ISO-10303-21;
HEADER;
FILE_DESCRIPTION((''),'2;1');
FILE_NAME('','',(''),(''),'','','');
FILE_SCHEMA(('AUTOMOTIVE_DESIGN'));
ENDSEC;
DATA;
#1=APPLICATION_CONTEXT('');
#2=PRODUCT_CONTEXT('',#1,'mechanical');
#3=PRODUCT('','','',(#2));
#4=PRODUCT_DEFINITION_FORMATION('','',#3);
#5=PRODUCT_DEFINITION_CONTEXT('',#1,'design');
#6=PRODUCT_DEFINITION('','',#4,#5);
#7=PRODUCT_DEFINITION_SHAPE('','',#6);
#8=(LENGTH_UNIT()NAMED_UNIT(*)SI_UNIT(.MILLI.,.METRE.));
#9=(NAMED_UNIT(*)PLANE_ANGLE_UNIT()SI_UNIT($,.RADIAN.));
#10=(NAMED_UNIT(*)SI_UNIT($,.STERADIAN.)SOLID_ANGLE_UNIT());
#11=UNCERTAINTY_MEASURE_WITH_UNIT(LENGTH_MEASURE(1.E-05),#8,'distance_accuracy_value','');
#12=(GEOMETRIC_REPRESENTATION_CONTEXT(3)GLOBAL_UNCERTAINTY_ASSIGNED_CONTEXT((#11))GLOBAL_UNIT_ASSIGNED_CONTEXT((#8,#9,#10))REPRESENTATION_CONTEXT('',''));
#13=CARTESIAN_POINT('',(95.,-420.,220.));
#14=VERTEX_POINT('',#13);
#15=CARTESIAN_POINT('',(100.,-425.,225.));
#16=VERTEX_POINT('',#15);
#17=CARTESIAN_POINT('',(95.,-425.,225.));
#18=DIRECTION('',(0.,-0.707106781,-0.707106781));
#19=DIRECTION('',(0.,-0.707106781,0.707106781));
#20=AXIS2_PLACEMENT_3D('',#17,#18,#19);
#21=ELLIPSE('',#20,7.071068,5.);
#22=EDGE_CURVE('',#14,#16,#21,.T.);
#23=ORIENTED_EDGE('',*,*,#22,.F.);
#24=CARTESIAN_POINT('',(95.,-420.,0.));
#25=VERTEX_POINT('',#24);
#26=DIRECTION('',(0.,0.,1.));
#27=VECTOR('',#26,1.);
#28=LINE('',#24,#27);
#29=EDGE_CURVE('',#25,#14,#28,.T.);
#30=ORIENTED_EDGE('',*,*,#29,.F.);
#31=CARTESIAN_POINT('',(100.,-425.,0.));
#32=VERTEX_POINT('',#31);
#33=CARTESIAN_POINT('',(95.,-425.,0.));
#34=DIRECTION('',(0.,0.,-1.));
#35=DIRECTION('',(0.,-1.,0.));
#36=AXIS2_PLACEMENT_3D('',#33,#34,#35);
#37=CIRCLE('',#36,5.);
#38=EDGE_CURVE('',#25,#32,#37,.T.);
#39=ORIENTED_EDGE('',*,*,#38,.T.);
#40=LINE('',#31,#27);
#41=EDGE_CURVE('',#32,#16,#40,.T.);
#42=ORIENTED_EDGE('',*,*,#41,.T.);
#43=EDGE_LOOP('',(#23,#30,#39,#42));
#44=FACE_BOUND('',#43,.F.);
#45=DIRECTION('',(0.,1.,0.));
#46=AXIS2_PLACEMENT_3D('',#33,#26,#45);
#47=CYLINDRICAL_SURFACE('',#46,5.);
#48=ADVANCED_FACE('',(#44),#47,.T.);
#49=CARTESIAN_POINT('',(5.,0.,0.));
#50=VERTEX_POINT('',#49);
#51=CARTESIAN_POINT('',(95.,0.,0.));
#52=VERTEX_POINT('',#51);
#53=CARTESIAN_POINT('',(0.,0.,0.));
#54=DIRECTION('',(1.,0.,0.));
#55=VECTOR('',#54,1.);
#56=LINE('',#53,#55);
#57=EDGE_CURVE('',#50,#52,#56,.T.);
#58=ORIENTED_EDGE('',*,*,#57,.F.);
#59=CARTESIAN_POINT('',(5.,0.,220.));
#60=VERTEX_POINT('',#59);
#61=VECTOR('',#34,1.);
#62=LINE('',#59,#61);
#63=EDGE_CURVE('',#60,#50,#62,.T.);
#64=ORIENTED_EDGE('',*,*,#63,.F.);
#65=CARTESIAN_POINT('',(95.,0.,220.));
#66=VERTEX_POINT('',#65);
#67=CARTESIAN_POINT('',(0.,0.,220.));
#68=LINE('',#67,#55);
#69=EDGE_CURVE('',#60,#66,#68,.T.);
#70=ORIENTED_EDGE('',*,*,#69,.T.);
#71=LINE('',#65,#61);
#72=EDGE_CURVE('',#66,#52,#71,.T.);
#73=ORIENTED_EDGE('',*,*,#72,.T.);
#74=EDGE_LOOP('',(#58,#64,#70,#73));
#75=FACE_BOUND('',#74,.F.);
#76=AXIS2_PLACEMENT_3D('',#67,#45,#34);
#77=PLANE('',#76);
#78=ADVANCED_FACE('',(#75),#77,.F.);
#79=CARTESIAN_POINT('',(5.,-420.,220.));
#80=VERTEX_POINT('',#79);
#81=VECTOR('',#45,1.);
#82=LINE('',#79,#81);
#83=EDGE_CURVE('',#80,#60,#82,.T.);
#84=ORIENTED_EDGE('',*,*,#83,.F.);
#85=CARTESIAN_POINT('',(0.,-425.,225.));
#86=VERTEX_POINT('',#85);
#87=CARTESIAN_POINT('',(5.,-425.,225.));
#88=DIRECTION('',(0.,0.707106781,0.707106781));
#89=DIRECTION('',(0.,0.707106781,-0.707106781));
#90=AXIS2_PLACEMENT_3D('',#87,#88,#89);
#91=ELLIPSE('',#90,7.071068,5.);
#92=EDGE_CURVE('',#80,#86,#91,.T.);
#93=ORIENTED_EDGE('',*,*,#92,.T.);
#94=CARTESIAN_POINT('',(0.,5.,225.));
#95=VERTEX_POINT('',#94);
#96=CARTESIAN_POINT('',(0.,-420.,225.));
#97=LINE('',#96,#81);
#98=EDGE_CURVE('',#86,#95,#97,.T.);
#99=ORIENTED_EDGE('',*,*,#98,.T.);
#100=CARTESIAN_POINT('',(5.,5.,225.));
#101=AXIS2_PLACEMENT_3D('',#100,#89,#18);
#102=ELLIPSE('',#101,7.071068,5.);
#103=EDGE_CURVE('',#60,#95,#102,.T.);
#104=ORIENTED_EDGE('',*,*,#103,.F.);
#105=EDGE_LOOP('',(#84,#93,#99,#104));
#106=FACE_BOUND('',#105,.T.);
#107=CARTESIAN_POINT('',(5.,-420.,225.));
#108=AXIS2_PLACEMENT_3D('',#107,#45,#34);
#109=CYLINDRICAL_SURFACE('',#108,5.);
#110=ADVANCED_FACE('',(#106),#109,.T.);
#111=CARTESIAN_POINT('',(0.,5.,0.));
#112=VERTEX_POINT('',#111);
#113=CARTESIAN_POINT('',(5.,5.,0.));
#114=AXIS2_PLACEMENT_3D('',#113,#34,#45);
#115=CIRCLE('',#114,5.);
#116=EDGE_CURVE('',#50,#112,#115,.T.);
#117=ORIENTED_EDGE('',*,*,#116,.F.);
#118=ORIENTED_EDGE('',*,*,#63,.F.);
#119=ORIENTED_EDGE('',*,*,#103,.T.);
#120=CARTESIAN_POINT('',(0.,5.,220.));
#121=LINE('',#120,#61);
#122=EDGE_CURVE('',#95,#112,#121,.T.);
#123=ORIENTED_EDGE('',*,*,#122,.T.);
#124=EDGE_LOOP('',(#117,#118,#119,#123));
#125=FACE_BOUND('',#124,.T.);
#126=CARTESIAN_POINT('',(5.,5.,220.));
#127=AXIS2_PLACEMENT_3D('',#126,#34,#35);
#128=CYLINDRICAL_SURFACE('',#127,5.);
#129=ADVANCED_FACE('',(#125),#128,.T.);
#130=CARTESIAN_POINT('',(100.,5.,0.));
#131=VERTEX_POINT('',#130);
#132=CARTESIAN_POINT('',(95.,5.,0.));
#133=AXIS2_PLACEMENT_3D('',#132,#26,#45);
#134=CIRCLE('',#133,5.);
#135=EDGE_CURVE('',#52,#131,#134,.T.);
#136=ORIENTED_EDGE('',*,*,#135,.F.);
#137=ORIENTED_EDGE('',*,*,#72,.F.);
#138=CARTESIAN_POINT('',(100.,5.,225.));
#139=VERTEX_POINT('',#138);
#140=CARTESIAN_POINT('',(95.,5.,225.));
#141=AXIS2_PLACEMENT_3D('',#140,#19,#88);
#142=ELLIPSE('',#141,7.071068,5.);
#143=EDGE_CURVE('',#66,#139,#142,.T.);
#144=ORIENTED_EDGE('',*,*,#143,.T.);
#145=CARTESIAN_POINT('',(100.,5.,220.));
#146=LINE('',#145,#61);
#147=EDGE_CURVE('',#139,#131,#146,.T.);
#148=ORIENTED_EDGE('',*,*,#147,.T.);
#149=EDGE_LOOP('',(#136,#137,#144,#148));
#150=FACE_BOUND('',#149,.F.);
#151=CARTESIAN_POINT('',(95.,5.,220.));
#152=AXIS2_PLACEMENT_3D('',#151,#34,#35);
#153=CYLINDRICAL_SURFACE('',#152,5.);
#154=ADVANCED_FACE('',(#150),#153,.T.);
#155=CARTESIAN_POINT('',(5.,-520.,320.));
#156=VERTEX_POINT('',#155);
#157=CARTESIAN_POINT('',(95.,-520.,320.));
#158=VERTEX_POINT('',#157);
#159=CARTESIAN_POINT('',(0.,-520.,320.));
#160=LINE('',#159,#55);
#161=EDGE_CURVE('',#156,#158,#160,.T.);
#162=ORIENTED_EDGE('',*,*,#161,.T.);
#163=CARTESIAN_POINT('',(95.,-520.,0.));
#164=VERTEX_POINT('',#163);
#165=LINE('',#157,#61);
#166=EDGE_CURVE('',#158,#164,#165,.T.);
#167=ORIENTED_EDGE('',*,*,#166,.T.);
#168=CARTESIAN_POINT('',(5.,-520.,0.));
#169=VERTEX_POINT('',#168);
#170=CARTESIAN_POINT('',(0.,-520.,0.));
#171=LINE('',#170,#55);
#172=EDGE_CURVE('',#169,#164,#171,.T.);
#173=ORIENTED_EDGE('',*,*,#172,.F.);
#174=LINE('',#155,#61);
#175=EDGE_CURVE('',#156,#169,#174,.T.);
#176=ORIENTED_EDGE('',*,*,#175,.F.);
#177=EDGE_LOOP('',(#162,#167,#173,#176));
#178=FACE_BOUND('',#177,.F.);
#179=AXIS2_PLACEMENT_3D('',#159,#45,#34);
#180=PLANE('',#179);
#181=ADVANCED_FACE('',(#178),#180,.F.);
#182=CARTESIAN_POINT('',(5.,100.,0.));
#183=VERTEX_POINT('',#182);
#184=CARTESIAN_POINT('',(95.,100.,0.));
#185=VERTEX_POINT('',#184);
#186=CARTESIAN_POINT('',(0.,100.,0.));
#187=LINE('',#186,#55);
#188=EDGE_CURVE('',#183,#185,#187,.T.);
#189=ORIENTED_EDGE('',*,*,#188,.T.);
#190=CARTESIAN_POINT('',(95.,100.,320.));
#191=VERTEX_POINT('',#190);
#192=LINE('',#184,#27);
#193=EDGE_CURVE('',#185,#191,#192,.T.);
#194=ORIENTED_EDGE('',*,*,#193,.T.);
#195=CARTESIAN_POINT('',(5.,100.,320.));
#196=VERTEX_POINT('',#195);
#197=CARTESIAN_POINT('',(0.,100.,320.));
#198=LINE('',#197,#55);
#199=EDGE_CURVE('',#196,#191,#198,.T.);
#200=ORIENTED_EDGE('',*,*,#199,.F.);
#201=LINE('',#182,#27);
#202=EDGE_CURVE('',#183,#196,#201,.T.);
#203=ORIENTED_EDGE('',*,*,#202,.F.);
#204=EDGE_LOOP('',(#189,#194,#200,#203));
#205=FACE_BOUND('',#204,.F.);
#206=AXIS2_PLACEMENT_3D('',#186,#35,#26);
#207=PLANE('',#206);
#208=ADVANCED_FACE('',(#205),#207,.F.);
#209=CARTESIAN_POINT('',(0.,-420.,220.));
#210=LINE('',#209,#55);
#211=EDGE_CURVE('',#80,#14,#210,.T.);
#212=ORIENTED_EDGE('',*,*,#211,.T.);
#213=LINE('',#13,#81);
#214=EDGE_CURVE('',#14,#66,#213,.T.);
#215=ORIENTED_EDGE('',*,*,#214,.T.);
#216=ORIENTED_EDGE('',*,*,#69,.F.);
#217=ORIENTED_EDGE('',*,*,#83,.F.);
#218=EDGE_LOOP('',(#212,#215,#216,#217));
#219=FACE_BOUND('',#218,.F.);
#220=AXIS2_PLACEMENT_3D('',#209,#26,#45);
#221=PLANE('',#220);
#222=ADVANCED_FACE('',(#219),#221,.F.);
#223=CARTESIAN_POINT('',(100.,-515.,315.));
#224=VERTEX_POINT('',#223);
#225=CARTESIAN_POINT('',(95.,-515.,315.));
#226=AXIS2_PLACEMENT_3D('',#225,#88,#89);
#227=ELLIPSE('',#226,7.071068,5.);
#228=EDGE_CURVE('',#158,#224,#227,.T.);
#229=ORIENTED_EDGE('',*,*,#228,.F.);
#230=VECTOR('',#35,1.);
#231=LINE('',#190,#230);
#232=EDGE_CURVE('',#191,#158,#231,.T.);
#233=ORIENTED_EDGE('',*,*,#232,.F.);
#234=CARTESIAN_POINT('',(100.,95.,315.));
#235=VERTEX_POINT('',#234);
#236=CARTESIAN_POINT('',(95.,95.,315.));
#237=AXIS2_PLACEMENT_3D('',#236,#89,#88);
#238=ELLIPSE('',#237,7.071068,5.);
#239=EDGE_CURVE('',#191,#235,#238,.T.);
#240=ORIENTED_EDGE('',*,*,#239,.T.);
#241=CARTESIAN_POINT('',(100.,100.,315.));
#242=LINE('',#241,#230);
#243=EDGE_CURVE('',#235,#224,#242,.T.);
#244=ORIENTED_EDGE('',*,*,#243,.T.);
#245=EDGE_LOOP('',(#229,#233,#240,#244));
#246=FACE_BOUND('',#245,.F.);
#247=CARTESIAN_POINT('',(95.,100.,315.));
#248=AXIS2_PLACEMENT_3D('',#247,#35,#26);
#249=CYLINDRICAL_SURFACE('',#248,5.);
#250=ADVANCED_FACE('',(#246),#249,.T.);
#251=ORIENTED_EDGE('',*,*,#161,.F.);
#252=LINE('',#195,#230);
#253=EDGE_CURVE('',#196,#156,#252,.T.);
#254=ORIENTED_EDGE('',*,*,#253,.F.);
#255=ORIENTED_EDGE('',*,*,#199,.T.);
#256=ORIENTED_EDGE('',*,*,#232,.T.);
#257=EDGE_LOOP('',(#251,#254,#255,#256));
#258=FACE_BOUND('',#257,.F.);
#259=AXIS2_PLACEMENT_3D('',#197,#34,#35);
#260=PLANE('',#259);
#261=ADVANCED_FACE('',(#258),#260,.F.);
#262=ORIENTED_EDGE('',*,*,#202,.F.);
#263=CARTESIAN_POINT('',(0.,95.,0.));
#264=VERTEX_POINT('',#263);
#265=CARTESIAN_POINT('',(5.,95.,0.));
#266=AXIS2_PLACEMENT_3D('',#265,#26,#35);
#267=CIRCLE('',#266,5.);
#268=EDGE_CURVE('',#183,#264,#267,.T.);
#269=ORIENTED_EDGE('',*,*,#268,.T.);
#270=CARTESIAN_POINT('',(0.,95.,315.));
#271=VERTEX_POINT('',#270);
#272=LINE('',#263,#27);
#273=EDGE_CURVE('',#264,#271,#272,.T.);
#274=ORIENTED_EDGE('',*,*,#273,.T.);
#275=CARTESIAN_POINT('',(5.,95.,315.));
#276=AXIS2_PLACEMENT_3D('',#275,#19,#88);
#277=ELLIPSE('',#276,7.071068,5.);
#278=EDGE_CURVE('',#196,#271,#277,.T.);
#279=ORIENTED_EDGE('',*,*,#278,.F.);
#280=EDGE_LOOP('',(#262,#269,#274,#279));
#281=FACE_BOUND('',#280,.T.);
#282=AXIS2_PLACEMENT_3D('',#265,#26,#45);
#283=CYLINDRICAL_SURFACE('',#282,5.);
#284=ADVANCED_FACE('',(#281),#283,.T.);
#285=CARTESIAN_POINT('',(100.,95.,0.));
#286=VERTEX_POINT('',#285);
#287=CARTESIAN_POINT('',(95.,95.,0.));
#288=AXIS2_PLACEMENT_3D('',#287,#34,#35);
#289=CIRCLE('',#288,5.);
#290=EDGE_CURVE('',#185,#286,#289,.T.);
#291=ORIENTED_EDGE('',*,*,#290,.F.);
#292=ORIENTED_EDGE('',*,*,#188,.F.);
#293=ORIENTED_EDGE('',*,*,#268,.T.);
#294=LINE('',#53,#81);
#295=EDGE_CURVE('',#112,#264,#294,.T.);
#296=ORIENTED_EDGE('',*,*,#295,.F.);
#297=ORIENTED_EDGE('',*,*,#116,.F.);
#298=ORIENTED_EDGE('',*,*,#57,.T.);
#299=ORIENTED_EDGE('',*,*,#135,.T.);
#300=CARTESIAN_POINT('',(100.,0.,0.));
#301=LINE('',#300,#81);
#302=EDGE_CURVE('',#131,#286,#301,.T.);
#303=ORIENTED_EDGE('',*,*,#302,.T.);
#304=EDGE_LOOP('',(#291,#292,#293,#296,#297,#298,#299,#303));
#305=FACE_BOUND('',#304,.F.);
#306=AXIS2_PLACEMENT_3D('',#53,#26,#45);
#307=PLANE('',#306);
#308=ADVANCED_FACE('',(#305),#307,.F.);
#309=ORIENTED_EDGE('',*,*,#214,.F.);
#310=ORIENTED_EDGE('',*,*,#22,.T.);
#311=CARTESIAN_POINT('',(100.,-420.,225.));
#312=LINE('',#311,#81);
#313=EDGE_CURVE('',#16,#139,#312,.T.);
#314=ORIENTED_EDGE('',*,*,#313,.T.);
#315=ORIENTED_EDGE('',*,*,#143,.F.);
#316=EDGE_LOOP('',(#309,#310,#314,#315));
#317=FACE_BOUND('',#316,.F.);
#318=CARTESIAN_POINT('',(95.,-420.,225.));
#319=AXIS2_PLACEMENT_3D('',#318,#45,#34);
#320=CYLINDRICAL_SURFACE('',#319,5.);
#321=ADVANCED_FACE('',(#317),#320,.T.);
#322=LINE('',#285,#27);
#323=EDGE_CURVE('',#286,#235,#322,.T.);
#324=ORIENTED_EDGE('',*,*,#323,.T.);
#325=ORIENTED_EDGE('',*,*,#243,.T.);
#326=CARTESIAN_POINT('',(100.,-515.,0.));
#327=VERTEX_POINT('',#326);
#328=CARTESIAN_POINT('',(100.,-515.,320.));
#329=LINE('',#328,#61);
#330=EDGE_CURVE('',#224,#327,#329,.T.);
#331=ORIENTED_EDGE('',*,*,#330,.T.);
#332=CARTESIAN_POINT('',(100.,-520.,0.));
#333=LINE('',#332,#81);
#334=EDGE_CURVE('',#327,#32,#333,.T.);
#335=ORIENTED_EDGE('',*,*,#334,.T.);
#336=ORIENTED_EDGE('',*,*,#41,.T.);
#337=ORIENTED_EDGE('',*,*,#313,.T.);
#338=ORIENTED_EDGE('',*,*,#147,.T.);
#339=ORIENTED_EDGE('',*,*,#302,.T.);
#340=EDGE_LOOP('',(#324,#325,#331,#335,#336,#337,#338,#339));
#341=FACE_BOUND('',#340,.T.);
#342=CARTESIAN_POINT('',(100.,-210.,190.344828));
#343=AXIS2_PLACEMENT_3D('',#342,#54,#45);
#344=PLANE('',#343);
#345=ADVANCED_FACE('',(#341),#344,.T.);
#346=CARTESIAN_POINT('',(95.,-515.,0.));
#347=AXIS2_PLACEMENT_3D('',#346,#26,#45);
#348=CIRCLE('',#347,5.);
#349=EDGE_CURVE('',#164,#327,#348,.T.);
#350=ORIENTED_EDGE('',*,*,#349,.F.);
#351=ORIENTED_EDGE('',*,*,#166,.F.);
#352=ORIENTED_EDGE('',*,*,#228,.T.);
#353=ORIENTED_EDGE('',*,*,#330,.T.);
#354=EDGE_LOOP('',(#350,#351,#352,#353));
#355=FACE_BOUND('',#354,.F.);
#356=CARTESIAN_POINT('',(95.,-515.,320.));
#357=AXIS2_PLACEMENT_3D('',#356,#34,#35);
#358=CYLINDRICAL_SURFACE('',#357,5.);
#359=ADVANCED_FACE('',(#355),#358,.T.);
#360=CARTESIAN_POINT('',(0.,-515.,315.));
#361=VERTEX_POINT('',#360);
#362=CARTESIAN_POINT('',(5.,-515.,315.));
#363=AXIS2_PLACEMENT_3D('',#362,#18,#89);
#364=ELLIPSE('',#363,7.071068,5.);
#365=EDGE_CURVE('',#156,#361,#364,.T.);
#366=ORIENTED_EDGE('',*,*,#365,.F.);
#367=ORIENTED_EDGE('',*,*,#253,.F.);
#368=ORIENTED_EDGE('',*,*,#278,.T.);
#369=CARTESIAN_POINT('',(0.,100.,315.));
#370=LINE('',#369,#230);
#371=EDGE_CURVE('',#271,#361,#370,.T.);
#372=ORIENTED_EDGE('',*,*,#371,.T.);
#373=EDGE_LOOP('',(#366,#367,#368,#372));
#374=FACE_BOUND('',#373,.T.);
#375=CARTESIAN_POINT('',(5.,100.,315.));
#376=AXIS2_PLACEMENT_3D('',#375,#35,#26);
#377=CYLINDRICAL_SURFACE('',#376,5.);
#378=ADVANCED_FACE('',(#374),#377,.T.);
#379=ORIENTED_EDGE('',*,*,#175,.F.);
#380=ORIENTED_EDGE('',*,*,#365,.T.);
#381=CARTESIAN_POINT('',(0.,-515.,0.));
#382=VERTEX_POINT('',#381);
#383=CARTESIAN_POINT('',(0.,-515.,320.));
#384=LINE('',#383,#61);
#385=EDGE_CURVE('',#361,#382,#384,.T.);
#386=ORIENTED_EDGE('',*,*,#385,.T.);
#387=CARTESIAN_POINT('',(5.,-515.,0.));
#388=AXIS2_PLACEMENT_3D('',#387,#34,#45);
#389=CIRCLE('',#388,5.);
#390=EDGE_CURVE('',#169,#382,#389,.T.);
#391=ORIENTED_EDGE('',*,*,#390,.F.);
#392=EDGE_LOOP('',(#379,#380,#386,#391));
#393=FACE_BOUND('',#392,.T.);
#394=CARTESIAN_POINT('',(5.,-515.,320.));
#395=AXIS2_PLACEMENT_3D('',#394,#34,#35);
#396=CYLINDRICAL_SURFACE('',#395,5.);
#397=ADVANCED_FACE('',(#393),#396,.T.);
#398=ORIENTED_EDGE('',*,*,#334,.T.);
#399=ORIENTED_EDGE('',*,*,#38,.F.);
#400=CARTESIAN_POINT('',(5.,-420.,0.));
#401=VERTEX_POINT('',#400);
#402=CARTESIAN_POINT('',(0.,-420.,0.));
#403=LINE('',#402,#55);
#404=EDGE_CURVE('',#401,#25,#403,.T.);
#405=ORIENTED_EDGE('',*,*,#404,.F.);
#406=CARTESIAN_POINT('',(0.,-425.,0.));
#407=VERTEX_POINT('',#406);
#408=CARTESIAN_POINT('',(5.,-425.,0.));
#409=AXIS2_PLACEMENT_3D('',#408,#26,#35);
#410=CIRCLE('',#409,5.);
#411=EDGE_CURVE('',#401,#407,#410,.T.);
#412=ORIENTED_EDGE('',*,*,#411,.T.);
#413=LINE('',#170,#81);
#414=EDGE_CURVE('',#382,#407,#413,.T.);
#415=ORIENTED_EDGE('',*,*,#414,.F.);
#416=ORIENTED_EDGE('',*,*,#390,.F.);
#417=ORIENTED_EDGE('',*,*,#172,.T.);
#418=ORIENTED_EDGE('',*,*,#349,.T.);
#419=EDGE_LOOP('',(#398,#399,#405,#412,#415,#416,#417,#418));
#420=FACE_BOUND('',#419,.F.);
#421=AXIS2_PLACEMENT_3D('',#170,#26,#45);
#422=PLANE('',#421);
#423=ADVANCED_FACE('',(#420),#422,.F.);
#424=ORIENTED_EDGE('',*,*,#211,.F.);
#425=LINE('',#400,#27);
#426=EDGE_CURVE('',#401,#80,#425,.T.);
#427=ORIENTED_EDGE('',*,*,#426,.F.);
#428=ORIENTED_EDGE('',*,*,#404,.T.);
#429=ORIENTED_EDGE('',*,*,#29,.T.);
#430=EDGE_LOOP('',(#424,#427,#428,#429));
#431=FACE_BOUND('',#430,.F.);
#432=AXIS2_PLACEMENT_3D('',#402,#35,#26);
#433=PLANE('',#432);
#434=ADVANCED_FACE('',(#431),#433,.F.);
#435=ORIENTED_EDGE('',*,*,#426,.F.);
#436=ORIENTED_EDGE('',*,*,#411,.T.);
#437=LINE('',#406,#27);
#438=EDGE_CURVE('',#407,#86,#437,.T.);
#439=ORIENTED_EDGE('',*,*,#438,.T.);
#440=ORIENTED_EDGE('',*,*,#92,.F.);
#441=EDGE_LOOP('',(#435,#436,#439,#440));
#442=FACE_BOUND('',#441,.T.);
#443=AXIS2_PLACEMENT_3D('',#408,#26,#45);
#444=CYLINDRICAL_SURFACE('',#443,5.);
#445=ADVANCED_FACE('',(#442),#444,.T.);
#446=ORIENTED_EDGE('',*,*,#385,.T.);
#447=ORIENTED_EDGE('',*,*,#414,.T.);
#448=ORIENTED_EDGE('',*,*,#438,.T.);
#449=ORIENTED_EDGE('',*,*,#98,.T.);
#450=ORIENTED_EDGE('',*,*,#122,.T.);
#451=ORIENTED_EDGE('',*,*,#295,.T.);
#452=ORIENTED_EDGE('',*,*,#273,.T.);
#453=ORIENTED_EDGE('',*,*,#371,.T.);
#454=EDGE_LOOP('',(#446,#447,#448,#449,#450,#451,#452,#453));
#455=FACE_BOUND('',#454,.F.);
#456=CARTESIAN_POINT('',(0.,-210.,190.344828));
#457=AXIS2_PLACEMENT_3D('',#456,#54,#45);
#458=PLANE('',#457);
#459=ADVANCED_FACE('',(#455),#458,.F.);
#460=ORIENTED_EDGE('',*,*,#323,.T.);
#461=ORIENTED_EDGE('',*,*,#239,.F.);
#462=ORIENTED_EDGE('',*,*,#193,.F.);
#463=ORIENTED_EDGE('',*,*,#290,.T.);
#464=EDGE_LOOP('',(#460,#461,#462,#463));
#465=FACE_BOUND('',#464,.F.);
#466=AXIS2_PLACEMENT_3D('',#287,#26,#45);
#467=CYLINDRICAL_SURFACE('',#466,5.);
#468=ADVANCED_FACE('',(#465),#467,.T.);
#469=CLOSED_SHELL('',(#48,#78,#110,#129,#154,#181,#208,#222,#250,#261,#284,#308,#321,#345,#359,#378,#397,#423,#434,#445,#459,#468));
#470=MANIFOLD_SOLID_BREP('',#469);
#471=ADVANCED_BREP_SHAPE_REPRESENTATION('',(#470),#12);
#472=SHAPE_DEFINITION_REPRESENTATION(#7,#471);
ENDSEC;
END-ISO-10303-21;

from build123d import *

# Parameters (mm, degrees)
F1_DEPTH = 100
F2_R     = 5


with BuildPart() as f1:
    # F0 (on Right) → F1 (new body)
    with BuildSketch(Plane.YZ):
        Polygon((0, 220), (0, 0), (100, 0), (100, 320), (-520, 320), (-520, 0), (-420, 0), (-420, 220), align=None)
    extrude(amount=F1_DEPTH)

    # F2
    f2_edges = [f1.edges().sort_by_distance(p)[0] for p in [
        (100, -520, 160),
        (100, -420, 110),
        (100, -210, 220),
        (100, 0, 110),
        (100, 100, 160),
        (0, -520, 160),
        (0, 0, 110),
        (0, -210, 220),
        (0, -420, 110),
        (0, 100, 160),
        (0, -210, 320),
        (100, -210, 320),
    ]]
    fillet(f2_edges, radius=F2_R)


solid = f1.part
